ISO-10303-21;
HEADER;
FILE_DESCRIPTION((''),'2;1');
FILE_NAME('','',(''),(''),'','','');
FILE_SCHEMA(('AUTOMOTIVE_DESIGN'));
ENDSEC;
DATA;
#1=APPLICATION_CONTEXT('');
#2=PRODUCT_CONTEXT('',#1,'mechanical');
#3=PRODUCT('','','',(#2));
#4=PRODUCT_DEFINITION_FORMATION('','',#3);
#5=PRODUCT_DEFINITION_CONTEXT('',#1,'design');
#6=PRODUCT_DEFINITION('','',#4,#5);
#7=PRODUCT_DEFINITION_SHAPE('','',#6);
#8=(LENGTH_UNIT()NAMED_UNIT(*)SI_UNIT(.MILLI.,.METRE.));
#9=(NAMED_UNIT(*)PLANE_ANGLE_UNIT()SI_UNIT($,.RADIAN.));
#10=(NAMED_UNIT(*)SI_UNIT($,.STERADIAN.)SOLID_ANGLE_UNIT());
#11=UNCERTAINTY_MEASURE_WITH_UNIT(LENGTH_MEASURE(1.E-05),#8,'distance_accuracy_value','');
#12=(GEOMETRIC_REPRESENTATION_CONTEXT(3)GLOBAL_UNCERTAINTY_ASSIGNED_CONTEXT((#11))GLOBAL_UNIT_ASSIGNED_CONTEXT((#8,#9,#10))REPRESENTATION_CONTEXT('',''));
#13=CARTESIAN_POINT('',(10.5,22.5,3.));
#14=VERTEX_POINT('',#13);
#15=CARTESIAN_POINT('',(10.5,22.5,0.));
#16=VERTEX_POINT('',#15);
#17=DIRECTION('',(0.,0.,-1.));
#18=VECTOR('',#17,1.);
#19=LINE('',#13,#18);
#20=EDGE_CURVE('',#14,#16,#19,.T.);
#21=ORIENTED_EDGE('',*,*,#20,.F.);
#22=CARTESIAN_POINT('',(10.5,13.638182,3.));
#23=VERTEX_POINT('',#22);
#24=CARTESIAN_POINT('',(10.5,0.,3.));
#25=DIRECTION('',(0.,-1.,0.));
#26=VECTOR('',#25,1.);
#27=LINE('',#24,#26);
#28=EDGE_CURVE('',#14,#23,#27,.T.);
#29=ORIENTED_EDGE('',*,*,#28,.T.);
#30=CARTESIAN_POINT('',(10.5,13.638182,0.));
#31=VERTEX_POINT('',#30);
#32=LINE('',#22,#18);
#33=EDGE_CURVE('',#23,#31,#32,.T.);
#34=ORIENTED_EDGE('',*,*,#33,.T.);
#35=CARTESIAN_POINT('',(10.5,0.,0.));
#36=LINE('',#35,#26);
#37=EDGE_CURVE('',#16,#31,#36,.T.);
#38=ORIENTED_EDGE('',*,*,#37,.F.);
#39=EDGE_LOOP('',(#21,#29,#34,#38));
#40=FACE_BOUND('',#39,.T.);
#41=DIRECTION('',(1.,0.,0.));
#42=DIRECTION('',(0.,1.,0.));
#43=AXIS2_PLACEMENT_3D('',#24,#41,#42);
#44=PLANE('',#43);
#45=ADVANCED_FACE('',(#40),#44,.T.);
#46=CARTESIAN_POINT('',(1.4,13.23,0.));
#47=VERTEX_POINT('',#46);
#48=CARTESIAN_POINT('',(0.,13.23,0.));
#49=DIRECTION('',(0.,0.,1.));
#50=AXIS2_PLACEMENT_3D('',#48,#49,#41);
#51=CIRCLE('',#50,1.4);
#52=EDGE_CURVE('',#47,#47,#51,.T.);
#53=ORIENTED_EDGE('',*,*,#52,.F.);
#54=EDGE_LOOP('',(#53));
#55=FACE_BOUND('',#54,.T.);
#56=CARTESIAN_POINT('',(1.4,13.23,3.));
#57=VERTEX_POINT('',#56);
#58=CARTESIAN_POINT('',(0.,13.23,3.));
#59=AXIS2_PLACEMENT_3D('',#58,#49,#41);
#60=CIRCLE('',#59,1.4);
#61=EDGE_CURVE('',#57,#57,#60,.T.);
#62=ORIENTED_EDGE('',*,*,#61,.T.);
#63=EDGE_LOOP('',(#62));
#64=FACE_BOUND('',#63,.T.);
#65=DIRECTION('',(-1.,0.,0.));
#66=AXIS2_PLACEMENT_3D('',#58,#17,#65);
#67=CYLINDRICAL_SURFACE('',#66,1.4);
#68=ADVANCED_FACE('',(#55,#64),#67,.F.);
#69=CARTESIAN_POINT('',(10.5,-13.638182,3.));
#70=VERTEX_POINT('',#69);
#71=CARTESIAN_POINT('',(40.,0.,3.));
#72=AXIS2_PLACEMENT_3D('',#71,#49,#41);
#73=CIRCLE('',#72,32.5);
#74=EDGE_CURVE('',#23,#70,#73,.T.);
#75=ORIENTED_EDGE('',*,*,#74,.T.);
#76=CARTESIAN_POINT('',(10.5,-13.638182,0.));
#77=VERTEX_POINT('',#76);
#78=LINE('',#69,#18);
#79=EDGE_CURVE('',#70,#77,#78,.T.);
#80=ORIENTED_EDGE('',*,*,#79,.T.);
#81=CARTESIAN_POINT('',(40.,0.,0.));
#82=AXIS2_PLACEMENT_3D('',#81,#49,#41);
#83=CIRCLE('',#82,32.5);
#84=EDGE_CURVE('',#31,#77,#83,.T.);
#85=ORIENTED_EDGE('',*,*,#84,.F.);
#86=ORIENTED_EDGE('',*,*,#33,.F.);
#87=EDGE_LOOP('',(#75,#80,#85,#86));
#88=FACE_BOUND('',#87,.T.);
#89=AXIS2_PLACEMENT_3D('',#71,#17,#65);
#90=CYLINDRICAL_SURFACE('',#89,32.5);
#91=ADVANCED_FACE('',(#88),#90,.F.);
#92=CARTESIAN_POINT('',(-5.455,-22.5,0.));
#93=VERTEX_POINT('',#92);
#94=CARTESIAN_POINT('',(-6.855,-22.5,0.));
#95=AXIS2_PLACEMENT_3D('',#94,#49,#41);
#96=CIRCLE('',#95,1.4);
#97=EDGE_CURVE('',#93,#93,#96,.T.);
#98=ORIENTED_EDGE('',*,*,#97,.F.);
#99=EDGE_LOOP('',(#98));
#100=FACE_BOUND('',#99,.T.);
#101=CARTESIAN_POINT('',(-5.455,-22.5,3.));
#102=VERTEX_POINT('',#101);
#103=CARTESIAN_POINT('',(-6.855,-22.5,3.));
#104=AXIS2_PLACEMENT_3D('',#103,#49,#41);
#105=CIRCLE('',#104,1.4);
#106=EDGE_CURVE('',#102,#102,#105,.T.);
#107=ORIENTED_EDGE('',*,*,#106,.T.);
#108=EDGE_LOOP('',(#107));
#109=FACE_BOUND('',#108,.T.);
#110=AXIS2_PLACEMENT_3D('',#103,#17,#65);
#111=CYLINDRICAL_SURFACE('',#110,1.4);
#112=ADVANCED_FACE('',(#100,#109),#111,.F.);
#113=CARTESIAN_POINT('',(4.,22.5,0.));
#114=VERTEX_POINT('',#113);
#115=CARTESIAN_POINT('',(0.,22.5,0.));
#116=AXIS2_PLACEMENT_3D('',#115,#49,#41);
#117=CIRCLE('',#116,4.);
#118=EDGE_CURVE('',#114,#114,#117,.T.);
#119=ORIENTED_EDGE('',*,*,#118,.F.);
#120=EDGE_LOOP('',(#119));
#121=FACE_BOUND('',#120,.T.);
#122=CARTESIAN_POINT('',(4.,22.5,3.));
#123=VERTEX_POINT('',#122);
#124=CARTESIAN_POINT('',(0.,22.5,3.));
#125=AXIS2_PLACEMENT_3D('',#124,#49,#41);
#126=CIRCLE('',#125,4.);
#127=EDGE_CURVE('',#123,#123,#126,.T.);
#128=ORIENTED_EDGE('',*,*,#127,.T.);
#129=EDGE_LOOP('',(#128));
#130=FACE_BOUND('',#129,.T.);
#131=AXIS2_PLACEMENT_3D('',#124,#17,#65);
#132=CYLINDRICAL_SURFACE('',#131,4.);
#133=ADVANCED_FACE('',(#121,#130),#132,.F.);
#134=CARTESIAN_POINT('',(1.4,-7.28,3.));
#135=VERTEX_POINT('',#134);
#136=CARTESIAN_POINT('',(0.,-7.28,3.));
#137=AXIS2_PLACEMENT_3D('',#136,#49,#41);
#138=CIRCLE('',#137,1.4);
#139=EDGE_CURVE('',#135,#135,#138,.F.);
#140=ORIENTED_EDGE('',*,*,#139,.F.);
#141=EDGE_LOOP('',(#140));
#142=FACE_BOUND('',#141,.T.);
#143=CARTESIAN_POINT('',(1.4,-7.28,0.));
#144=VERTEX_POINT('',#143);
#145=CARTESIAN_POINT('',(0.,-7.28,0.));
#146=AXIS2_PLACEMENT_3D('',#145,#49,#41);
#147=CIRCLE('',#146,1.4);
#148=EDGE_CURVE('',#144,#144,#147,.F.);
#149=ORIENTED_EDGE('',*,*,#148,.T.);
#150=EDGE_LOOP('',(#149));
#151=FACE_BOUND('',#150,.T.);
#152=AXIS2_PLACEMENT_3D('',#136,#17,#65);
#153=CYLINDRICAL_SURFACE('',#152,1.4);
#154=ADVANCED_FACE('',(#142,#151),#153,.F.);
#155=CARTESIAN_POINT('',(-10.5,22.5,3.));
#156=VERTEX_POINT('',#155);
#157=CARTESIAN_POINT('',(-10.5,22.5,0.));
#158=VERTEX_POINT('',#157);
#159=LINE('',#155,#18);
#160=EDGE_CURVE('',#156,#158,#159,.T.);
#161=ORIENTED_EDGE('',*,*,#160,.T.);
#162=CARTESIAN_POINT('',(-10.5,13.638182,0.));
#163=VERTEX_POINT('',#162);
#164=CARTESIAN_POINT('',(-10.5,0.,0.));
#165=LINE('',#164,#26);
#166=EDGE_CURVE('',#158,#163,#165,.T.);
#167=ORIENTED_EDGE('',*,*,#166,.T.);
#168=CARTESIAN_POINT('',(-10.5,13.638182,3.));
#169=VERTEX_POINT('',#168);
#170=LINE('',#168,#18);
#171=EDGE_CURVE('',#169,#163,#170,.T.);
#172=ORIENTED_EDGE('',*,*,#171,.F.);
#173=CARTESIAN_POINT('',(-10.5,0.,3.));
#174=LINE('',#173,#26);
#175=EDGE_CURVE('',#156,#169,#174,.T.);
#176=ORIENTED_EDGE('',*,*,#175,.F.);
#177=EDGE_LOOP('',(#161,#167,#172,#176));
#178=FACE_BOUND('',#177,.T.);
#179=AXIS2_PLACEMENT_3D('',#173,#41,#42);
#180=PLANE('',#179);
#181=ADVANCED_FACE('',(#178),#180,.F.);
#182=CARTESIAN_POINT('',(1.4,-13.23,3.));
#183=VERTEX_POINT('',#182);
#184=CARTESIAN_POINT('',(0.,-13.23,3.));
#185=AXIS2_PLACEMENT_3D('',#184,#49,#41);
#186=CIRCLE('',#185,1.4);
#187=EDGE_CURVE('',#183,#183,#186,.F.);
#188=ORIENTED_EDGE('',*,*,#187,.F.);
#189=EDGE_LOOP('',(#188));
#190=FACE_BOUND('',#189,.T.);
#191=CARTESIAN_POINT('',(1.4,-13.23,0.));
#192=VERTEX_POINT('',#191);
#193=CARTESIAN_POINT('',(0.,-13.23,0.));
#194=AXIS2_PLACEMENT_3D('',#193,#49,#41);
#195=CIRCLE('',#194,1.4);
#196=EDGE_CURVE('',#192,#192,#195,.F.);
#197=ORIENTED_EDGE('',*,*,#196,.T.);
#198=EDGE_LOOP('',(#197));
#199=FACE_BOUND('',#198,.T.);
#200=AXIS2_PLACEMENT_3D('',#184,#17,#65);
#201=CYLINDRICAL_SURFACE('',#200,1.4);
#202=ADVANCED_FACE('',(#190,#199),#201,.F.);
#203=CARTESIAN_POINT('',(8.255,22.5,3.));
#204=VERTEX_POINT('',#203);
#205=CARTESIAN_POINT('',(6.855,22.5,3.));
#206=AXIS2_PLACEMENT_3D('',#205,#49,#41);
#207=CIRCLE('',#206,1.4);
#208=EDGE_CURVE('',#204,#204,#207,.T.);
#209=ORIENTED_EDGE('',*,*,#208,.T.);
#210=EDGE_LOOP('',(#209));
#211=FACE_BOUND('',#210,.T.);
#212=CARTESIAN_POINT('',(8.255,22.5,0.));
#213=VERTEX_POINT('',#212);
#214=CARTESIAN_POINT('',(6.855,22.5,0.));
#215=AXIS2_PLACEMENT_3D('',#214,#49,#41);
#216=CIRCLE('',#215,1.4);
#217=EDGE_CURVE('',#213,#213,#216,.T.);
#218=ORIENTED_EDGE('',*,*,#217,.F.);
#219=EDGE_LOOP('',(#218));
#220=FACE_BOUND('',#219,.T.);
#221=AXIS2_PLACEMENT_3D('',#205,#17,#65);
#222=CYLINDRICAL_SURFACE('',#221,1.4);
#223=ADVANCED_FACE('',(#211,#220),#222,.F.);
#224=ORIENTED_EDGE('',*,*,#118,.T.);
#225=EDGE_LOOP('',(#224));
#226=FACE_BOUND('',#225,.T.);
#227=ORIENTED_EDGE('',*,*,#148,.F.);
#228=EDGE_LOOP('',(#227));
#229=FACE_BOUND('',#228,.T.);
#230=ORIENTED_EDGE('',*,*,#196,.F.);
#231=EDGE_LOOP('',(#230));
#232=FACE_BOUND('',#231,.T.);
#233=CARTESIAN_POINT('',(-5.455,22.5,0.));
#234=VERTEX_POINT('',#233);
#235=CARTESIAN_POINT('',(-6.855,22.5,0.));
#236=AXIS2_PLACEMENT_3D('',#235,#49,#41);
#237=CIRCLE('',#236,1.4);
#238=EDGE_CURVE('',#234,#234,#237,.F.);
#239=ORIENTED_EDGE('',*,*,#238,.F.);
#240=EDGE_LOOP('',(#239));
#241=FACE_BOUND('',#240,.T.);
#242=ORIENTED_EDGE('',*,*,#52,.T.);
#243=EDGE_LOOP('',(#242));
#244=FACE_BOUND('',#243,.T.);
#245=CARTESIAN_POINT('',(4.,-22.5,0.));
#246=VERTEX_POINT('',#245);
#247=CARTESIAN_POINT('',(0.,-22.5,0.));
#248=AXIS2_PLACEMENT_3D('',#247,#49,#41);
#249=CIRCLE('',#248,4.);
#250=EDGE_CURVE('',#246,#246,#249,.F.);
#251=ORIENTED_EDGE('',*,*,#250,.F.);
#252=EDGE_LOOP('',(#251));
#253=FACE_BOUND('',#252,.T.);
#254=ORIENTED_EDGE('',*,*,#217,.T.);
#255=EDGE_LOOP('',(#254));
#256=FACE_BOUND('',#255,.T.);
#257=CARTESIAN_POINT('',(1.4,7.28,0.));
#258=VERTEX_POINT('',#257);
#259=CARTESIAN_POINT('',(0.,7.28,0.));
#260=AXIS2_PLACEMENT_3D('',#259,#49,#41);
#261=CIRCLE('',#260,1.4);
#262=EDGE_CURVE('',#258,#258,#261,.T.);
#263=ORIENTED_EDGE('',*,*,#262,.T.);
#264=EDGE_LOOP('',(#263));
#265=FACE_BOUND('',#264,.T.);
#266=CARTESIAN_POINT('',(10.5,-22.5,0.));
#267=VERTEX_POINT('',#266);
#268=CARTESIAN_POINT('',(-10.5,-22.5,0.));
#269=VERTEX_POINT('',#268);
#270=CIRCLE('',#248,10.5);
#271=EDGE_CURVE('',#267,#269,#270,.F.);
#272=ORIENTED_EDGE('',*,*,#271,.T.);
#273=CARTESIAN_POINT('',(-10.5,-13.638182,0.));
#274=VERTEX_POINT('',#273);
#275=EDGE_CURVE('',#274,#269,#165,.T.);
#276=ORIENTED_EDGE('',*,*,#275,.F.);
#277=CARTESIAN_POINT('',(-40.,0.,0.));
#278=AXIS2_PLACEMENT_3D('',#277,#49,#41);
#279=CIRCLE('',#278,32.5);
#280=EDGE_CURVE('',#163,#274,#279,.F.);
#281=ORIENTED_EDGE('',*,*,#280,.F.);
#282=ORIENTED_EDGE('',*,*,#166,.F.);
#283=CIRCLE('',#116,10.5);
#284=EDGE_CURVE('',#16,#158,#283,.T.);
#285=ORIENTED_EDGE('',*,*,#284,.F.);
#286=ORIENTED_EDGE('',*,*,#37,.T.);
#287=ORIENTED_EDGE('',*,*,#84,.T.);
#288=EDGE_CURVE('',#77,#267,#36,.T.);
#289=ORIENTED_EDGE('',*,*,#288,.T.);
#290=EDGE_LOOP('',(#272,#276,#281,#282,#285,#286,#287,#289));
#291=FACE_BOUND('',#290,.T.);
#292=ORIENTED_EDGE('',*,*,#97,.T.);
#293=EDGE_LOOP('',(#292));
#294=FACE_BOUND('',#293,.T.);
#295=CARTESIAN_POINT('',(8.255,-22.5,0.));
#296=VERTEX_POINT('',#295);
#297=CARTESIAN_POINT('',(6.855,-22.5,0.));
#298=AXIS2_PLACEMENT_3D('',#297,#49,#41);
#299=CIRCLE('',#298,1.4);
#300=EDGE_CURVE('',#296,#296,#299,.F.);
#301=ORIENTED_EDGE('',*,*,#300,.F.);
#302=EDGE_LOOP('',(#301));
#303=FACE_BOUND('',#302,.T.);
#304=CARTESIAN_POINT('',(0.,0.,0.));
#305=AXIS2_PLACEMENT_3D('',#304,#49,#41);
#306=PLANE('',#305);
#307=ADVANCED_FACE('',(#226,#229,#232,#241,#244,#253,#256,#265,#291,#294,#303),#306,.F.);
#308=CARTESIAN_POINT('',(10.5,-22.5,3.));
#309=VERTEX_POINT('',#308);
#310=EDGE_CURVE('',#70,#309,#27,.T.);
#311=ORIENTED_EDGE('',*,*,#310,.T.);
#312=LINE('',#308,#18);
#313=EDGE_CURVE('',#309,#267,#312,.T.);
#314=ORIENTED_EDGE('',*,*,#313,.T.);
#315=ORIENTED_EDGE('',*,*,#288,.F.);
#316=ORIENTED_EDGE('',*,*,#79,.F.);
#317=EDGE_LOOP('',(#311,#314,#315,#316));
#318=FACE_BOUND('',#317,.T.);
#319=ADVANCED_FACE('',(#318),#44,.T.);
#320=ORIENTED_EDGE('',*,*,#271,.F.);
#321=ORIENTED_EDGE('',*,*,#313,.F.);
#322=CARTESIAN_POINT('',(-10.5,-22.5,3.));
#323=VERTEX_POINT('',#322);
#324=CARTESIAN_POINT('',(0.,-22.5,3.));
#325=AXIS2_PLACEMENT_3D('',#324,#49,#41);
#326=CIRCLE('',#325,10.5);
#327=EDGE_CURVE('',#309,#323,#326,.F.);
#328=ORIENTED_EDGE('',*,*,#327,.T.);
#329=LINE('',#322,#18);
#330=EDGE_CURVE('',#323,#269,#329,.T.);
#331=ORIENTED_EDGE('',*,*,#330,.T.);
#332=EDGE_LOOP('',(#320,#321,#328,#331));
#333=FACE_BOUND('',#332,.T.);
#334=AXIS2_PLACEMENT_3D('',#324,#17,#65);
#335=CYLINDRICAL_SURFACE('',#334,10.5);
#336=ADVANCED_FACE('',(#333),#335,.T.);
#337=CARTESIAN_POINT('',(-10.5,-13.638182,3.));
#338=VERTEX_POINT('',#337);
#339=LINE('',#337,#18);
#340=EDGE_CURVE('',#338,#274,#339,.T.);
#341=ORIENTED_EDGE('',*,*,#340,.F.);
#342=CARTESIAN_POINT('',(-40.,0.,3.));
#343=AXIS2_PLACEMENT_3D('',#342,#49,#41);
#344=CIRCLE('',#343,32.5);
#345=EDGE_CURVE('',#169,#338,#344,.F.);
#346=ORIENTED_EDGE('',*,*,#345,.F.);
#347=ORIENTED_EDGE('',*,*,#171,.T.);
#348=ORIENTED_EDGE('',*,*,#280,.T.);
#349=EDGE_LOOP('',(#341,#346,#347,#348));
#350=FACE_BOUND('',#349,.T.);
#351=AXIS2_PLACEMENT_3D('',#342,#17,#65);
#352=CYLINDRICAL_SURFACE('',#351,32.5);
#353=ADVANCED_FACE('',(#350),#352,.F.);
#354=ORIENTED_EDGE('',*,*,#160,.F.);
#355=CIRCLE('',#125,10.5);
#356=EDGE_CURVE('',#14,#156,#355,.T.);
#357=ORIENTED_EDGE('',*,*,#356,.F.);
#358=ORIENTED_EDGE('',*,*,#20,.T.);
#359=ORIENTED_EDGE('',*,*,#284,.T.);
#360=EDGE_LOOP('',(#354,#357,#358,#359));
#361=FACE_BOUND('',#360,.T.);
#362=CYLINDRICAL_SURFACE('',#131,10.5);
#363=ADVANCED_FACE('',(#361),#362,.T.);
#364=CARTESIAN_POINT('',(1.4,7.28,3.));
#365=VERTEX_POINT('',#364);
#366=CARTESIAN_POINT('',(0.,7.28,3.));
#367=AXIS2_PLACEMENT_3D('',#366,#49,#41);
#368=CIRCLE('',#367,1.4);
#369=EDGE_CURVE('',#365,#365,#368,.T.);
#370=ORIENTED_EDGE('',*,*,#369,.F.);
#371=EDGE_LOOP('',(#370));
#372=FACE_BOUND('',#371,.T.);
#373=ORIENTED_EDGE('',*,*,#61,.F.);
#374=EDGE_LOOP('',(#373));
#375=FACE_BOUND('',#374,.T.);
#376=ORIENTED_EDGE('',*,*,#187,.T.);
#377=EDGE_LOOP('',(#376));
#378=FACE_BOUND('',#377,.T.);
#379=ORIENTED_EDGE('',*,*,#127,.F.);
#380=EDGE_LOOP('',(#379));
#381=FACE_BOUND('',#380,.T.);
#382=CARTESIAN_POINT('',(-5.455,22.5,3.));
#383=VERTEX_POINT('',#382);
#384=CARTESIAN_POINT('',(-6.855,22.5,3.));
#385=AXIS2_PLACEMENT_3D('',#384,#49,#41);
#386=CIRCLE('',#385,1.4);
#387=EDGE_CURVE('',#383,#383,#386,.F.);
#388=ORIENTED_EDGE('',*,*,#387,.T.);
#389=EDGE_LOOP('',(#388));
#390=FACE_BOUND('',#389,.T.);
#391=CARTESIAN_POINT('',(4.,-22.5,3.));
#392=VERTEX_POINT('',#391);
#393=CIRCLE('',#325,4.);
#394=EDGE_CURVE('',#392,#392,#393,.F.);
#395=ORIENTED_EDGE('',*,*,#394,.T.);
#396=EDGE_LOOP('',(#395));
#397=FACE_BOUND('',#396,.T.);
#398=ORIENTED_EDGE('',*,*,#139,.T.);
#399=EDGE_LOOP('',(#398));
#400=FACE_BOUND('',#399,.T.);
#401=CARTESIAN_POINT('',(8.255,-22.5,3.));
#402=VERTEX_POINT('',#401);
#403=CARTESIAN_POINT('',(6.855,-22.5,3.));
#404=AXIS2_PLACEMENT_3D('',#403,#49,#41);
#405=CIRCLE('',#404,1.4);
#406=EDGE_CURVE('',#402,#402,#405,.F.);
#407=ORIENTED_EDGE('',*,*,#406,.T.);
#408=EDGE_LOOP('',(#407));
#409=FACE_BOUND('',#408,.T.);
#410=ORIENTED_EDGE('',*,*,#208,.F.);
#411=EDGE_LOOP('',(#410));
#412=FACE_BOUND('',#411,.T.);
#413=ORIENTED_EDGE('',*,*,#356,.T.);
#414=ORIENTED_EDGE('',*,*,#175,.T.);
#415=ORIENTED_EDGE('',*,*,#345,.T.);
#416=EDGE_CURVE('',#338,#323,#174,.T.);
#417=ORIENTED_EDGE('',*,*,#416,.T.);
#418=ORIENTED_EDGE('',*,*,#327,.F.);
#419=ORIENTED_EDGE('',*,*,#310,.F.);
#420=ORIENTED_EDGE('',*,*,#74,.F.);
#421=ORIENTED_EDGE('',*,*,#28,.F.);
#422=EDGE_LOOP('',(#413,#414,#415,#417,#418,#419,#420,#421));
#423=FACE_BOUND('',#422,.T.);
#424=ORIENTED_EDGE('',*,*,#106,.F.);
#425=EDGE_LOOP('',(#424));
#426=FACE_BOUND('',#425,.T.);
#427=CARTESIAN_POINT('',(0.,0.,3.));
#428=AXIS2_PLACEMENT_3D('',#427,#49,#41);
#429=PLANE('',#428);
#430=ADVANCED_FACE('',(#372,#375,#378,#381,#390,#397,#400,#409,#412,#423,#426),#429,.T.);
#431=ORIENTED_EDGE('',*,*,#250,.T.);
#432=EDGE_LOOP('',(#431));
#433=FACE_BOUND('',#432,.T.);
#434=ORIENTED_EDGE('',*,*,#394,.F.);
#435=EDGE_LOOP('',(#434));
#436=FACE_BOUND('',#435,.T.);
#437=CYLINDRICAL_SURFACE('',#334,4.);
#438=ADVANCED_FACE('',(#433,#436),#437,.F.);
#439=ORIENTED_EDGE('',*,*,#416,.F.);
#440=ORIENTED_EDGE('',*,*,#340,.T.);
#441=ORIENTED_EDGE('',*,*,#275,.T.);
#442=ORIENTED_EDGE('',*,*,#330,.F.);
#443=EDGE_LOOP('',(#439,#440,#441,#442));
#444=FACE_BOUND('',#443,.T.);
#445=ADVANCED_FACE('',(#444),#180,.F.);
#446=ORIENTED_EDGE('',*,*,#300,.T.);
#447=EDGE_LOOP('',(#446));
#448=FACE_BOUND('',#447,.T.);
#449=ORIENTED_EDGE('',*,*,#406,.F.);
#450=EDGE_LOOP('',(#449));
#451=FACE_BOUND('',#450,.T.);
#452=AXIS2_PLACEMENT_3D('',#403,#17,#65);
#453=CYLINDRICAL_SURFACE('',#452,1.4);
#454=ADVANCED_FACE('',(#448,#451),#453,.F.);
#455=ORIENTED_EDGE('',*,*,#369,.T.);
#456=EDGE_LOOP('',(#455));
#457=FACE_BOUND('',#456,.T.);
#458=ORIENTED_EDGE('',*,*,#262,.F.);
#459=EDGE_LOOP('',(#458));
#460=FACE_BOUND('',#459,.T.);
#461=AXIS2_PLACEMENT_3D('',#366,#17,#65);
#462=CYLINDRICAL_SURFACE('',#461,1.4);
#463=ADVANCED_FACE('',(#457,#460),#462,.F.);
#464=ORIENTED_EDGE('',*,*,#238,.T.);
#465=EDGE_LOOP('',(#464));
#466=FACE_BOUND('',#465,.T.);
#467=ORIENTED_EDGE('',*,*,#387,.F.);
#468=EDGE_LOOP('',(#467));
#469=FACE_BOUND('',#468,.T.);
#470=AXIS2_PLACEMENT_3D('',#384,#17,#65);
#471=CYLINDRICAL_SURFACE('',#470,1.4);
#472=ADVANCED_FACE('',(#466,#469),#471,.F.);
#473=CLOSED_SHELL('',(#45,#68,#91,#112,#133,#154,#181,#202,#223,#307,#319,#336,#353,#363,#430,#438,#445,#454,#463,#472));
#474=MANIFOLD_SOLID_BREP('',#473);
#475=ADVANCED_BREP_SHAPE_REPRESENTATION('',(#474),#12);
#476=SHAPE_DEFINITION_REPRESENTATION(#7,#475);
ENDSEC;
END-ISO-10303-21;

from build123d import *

# Parameters (mm, degrees)
SKETCH_1_R      = 4
SKETCH_1_R_2    = 1.4
EXTRUDE_1_DEPTH = 3


with BuildPart() as part:
    # 草图1 → 凸台-拉伸1 (new body)
    with BuildSketch(Plane.XY):
        with BuildLine():
            Line((10.5, -13.638181697), (10.5, -22.5))
            ThreePointArc((10.5, -22.5), (0, -33), (-10.5, -22.5))
            Line((-10.5, -22.5), (-10.5, -13.638181697))
            ThreePointArc((-10.5, -13.638181697), (-7.5, 0), (-10.5, 13.638181697))
            Line((-10.5, 13.638181697), (-10.5, 22.5))
            ThreePointArc((-10.5, 22.5), (0, 33), (10.5, 22.5))
            Line((10.5, 22.5), (10.5, 13.638181697))
            ThreePointArc((10.5, 13.638181697), (7.5, 0), (10.5, -13.638181697))
        make_face()
        with Locations((0, 22.5)):
            Circle(SKETCH_1_R, mode=Mode.SUBTRACT)
        with Locations((0, -22.5)):
            Circle(SKETCH_1_R, mode=Mode.SUBTRACT)
        with Locations((0, 13.23)):
            Circle(SKETCH_1_R_2, mode=Mode.SUBTRACT)
        with Locations((6.855, 22.5)):
            Circle(SKETCH_1_R_2, mode=Mode.SUBTRACT)
        with Locations((-6.855, 22.5)):
            Circle(SKETCH_1_R_2, mode=Mode.SUBTRACT)
        with Locations((0, -7.28)):
            Circle(SKETCH_1_R_2, mode=Mode.SUBTRACT)
        with Locations((0, -13.23)):
            Circle(SKETCH_1_R_2, mode=Mode.SUBTRACT)
        with Locations((-6.855, -22.5)):
            Circle(SKETCH_1_R_2, mode=Mode.SUBTRACT)
        with Locations((0, 7.28)):
            Circle(SKETCH_1_R_2, mode=Mode.SUBTRACT)
        with Locations((6.855, -22.5)):
            Circle(SKETCH_1_R_2, mode=Mode.SUBTRACT)
    extrude(amount=EXTRUDE_1_DEPTH)


solid = part.part
